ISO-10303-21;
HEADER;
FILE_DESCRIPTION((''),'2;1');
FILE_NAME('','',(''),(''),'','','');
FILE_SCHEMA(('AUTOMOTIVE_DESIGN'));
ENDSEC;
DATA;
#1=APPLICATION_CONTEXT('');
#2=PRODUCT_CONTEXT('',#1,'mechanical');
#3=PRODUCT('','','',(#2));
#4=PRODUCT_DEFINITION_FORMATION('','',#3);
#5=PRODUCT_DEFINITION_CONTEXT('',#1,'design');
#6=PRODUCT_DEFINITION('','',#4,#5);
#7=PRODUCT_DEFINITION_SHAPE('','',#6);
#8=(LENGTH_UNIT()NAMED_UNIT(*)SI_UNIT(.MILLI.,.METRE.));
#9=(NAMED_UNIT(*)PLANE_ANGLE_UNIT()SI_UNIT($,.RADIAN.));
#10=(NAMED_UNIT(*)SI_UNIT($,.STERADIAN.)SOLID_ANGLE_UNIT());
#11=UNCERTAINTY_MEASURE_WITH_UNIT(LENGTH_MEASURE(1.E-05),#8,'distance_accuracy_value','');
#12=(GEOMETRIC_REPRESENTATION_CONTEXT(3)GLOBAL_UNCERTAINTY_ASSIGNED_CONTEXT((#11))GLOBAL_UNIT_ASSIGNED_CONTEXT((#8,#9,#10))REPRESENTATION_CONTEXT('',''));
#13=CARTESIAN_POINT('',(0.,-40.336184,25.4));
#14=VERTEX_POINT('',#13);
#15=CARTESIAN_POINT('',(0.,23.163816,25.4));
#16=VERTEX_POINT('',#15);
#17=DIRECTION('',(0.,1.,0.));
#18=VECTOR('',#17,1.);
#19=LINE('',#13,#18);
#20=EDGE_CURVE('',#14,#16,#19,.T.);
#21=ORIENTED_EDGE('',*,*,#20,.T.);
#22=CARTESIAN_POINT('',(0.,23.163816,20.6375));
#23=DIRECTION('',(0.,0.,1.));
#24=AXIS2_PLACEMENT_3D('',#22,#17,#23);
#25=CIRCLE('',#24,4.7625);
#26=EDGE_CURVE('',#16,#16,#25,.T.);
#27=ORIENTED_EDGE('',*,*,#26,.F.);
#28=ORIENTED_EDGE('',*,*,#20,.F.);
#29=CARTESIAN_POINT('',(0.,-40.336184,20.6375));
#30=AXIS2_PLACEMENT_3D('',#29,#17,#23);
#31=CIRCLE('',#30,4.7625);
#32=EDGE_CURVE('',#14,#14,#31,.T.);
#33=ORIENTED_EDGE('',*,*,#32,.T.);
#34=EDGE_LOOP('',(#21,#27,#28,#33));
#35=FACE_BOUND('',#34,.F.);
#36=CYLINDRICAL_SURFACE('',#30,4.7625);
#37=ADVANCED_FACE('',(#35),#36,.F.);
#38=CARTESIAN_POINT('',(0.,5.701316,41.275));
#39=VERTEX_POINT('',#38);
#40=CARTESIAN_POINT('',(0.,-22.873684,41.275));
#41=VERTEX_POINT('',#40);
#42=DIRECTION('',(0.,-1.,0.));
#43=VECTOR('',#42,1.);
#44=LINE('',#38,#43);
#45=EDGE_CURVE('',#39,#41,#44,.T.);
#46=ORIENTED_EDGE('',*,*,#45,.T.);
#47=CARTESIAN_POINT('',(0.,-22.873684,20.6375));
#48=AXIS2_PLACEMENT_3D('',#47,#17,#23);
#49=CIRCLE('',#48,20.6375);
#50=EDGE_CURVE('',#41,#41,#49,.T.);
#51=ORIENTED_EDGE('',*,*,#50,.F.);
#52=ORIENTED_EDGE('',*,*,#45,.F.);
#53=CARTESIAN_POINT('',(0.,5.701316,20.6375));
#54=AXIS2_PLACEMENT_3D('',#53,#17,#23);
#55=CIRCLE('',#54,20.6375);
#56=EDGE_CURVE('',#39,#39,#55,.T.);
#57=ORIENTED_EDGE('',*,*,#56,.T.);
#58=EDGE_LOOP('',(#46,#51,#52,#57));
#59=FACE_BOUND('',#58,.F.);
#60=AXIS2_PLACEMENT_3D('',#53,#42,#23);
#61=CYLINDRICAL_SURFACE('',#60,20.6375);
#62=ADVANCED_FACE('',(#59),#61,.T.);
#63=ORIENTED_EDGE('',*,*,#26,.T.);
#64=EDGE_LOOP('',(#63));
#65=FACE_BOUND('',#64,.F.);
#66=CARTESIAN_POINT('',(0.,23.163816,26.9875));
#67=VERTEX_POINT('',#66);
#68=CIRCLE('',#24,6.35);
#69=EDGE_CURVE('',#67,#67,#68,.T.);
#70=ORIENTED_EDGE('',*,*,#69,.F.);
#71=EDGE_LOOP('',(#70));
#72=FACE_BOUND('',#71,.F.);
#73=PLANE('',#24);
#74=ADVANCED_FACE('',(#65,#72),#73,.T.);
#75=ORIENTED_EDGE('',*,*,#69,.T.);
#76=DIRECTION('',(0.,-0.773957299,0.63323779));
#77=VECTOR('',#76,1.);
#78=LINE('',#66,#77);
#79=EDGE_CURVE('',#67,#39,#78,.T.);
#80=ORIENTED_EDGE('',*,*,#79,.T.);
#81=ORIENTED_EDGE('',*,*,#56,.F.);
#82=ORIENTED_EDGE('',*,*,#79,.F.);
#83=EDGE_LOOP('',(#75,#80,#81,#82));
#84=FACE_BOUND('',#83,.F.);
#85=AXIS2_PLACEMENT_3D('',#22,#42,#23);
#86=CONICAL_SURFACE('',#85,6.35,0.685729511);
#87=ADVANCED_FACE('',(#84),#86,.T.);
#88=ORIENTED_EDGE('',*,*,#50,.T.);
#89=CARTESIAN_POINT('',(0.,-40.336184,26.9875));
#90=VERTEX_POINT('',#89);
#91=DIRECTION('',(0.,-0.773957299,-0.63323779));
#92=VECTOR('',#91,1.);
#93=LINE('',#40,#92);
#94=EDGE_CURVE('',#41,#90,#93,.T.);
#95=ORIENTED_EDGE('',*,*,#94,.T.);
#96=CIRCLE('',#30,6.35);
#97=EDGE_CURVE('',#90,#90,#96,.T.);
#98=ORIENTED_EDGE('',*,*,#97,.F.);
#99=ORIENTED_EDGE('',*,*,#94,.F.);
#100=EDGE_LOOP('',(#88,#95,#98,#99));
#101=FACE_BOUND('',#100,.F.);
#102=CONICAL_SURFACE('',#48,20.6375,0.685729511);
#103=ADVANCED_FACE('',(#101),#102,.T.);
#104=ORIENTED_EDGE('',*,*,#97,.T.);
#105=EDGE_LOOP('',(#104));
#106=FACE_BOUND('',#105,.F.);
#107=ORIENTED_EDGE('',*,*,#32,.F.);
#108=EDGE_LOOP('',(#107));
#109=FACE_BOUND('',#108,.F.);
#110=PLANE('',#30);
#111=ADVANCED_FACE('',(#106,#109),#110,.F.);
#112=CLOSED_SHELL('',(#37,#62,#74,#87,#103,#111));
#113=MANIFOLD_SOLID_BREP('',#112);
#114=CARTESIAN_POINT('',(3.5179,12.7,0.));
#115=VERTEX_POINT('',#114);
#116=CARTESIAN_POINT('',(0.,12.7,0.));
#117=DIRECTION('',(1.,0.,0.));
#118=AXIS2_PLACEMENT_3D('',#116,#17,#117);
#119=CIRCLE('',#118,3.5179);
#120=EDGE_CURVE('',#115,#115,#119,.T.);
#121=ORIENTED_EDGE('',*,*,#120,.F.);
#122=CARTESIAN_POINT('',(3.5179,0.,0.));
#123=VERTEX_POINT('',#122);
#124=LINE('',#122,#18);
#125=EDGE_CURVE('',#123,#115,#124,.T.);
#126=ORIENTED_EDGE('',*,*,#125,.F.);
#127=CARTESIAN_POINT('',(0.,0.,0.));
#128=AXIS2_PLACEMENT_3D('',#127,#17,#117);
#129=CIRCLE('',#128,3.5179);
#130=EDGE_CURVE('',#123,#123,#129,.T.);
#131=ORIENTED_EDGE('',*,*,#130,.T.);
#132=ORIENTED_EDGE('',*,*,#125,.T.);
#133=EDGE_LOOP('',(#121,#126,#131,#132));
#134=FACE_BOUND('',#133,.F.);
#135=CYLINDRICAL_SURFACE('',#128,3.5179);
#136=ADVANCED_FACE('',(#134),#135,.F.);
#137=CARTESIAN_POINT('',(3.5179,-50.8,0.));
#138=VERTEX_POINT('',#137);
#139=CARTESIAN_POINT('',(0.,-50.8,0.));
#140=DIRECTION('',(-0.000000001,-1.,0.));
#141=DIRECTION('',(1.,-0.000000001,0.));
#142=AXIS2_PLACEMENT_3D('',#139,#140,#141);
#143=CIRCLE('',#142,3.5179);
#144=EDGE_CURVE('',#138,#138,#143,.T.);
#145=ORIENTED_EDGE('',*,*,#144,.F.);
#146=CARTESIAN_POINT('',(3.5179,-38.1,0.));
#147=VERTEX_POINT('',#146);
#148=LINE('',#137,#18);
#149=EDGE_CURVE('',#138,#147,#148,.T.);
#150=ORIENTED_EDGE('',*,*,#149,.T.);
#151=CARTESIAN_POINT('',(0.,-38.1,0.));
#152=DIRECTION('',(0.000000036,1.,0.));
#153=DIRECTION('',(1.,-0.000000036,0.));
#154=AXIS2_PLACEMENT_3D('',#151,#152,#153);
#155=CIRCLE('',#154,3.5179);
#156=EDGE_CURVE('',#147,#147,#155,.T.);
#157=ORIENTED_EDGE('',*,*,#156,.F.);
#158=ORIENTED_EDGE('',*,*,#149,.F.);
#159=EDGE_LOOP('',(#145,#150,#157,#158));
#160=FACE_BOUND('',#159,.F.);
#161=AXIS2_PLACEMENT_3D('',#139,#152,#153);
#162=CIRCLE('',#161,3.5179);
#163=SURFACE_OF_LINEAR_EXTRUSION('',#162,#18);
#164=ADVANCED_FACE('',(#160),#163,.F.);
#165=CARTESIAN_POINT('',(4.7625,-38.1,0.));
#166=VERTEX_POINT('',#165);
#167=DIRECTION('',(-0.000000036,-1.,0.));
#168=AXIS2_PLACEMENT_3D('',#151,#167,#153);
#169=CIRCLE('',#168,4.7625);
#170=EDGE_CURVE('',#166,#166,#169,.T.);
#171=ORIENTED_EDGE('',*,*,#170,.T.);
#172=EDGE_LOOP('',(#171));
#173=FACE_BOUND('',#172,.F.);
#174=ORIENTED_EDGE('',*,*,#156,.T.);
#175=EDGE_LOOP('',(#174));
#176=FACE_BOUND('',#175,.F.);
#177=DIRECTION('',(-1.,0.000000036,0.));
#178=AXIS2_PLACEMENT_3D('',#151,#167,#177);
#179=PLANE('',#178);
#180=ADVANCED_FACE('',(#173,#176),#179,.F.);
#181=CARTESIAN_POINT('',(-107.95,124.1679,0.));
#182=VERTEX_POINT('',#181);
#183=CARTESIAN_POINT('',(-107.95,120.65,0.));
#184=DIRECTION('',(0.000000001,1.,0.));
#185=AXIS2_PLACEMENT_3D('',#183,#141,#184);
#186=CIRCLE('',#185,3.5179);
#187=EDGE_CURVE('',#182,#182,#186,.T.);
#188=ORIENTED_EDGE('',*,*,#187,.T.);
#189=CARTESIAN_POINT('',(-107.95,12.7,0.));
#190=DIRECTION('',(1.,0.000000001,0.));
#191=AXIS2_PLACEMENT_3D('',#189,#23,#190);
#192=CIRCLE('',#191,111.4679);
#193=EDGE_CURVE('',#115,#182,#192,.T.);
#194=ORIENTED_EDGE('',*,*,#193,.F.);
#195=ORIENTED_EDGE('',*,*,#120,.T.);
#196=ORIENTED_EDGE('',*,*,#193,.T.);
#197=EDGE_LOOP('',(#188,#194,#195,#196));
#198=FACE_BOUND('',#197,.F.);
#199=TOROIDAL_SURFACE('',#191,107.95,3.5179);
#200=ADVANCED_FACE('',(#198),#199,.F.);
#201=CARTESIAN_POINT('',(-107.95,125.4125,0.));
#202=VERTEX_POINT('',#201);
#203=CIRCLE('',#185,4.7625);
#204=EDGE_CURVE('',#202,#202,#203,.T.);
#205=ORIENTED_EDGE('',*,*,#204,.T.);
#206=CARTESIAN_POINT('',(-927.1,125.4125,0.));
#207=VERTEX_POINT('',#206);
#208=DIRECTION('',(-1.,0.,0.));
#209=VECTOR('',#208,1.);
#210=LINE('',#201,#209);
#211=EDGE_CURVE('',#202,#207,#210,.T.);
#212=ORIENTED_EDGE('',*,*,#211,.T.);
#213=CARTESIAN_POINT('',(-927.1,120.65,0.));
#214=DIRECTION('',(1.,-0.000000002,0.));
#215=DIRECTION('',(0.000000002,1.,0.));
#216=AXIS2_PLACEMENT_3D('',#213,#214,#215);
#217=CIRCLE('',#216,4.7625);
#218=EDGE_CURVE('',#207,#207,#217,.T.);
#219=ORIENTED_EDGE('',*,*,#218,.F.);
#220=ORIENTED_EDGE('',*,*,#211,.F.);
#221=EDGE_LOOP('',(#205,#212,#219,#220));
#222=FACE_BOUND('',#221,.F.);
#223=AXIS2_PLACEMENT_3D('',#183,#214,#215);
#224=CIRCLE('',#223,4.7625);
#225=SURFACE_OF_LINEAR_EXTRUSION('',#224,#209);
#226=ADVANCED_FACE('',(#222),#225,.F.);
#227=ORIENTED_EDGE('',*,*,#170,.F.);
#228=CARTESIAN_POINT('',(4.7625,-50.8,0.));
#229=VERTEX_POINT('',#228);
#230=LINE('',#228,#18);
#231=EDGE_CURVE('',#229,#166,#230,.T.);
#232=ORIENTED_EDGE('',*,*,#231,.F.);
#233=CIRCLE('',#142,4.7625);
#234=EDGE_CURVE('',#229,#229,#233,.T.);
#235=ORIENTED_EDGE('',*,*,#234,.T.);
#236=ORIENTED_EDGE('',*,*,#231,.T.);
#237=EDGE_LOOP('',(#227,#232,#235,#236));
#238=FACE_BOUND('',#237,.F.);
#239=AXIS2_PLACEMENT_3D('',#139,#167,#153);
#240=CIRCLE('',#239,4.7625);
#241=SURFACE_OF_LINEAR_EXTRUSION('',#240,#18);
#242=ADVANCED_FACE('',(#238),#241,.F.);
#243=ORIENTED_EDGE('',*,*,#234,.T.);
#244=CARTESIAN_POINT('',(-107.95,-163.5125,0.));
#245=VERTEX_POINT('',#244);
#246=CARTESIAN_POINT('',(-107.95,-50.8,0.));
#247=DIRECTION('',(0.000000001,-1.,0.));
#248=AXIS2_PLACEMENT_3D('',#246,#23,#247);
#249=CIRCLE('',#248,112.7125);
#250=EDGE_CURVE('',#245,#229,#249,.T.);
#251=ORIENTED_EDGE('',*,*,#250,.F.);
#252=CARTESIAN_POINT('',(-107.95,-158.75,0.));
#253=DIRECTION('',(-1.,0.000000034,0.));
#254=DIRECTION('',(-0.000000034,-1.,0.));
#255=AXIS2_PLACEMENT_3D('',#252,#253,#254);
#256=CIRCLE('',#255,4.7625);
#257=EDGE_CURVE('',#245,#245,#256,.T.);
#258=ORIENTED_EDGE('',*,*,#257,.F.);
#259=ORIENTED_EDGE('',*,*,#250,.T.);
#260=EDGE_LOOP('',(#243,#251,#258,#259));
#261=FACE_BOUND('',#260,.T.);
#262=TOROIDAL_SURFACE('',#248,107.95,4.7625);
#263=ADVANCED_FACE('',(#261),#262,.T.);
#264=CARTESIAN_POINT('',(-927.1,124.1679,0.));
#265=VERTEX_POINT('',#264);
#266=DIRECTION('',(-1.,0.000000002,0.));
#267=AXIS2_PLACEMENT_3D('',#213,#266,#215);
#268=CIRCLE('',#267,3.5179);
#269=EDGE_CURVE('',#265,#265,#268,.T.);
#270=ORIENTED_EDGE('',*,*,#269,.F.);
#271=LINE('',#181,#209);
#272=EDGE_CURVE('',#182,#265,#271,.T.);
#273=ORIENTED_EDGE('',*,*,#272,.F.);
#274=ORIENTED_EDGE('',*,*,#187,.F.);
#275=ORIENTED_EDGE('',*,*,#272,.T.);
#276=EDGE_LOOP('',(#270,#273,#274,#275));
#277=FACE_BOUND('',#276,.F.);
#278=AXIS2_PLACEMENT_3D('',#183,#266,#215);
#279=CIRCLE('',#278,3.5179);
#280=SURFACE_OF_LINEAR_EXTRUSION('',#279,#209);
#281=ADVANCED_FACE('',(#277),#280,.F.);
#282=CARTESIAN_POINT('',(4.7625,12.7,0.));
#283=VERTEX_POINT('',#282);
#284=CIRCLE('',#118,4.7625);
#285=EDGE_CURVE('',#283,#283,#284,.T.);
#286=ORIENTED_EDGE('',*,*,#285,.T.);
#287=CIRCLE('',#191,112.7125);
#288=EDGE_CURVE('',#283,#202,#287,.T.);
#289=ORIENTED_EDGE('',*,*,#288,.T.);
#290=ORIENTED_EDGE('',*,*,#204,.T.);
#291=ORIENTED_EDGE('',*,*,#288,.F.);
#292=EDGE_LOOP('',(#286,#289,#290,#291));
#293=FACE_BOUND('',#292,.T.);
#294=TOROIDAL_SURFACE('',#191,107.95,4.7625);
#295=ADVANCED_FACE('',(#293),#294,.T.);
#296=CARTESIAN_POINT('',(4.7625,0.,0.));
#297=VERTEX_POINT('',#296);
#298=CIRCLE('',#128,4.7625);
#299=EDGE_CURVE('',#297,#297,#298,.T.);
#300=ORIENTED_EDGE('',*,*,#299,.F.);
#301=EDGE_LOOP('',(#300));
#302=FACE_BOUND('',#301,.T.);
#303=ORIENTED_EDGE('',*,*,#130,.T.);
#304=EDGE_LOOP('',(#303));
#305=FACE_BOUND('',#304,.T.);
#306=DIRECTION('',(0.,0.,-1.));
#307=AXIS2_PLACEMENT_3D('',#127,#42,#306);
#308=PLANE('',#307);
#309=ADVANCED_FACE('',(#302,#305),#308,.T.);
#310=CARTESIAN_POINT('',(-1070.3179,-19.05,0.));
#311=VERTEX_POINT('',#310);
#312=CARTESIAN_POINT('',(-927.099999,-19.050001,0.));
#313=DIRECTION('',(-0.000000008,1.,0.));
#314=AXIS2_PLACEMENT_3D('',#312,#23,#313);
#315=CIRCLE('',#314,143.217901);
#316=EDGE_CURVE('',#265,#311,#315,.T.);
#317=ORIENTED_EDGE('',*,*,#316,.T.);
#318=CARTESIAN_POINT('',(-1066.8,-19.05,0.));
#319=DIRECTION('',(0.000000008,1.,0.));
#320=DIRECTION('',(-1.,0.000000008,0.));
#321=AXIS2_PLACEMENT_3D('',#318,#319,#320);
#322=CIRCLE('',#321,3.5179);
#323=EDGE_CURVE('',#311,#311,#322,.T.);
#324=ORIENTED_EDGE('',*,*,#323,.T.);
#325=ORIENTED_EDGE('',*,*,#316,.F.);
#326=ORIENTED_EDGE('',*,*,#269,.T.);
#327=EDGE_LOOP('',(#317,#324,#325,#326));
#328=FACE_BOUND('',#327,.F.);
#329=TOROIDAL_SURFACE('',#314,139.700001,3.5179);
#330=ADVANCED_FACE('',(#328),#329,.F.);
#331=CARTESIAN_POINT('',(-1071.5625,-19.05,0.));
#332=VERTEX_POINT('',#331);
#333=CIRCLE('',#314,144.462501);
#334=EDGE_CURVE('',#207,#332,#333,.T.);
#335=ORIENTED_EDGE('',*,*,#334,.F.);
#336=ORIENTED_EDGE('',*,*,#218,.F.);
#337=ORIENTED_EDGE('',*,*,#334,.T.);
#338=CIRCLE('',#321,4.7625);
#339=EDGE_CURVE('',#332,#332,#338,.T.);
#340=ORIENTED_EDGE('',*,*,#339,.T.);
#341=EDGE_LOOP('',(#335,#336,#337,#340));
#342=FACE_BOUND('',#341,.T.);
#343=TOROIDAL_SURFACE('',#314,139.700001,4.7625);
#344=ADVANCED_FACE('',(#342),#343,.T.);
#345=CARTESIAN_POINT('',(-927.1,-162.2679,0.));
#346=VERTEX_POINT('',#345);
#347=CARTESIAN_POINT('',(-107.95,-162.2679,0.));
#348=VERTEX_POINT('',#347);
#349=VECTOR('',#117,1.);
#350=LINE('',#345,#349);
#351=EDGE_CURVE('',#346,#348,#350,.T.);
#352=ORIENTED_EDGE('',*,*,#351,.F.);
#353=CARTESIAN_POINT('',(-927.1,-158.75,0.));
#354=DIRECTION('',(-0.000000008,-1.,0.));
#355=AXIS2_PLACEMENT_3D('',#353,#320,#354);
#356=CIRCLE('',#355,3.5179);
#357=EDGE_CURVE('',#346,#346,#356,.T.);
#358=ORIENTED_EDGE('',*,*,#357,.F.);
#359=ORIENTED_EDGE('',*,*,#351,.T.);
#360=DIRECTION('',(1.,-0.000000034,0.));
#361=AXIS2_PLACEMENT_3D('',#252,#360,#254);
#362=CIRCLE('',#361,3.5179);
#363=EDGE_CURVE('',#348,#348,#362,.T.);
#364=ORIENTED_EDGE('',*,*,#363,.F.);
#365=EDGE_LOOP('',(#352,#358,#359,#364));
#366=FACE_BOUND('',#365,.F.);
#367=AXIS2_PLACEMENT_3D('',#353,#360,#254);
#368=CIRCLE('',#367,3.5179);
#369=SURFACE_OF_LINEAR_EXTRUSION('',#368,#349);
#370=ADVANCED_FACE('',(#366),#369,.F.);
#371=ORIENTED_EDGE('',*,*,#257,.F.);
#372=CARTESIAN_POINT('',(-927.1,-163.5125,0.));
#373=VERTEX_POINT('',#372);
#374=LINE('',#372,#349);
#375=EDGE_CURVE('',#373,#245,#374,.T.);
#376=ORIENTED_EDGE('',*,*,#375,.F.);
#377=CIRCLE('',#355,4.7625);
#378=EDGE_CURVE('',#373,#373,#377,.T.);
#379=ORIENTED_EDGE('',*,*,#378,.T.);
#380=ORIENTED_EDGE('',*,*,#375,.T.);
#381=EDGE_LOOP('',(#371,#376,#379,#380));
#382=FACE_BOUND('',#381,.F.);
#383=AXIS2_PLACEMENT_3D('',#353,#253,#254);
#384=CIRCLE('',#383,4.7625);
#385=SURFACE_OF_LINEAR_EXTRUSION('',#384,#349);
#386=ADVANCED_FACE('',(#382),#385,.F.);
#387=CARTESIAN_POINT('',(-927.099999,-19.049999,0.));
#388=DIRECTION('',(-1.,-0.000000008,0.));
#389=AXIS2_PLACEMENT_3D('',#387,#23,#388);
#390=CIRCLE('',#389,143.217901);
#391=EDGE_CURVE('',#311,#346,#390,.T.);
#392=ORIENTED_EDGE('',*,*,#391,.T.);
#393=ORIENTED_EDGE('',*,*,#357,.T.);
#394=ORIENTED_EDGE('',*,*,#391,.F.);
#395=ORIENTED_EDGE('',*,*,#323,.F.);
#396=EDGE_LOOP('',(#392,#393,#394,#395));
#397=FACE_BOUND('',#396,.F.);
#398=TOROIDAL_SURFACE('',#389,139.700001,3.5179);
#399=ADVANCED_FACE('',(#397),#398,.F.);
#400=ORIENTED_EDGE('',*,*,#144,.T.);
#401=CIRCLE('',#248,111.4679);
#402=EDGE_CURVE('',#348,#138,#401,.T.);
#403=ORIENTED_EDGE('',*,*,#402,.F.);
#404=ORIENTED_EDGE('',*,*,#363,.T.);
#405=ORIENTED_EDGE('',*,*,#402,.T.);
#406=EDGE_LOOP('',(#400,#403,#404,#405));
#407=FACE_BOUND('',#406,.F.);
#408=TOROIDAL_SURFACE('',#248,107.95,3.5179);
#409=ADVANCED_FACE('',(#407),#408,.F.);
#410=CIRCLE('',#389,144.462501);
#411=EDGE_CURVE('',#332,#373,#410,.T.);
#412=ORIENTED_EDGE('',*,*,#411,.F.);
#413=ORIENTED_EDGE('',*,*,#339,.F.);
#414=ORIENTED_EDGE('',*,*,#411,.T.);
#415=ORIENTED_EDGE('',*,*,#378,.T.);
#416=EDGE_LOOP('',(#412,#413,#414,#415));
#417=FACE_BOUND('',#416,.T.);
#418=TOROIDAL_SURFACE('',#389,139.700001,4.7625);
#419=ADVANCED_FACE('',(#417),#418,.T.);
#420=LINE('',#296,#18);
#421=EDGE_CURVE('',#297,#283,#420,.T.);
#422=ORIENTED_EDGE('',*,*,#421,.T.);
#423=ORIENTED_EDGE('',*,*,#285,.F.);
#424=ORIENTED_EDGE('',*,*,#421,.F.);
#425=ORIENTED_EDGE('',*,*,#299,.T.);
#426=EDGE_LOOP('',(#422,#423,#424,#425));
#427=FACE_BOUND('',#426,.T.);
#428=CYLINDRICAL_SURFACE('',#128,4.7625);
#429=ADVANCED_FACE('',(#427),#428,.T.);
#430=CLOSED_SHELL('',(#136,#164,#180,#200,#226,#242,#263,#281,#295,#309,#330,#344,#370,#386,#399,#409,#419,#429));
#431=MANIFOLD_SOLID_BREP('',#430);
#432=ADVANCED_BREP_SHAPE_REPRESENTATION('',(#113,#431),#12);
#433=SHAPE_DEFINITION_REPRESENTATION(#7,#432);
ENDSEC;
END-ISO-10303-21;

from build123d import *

# Parameters (mm, degrees)
F1_R   = 4.7625
F1_R_2 = 3.5179


with BuildPart() as f3:
    # F2 (on Right) → F3 (revolve)
    with BuildSketch(Plane.YZ):
        Polygon((-40.336184, 26.9875), (-40.336184, 25.4), (23.163816, 25.4), (23.163816, 26.9875), (5.701316, 41.275), (-22.873684, 41.275), align=None)
    revolve(axis=Axis((0, -8.586184, 20.6375), (0, 1, 0)))


with BuildPart() as f4:
    # F4: sweep along a path in F0
    with BuildLine(Plane.XY) as f4_path:
        Line((0, 0), (0, 12.7))
        ThreePointArc((0, 12.7), (-31.617823, 89.032177), (-107.95, 120.65))
        Line((-107.95, 120.65), (-927.1, 120.65))
        ThreePointArc((-927.1, 120.65), (-1025.882817, 79.732817), (-1066.8, -19.05))
        ThreePointArc((-1066.8, -19.05), (-1025.882817, -117.832817), (-927.1, -158.75))
        Line((-927.1, -158.75), (-107.95, -158.75))
        ThreePointArc((-107.95, -158.75), (-31.617823, -127.132177), (0, -50.8))
        Line((0, -50.8), (0, -38.1))
    # F1 (on Front) → F4 (sweep)
    with BuildSketch(Plane.XZ):
        Circle(F1_R)
        Circle(F1_R_2, mode=Mode.SUBTRACT)
    sweep(path=f4_path.line)


solid = Compound([f3.part, f4.part])
